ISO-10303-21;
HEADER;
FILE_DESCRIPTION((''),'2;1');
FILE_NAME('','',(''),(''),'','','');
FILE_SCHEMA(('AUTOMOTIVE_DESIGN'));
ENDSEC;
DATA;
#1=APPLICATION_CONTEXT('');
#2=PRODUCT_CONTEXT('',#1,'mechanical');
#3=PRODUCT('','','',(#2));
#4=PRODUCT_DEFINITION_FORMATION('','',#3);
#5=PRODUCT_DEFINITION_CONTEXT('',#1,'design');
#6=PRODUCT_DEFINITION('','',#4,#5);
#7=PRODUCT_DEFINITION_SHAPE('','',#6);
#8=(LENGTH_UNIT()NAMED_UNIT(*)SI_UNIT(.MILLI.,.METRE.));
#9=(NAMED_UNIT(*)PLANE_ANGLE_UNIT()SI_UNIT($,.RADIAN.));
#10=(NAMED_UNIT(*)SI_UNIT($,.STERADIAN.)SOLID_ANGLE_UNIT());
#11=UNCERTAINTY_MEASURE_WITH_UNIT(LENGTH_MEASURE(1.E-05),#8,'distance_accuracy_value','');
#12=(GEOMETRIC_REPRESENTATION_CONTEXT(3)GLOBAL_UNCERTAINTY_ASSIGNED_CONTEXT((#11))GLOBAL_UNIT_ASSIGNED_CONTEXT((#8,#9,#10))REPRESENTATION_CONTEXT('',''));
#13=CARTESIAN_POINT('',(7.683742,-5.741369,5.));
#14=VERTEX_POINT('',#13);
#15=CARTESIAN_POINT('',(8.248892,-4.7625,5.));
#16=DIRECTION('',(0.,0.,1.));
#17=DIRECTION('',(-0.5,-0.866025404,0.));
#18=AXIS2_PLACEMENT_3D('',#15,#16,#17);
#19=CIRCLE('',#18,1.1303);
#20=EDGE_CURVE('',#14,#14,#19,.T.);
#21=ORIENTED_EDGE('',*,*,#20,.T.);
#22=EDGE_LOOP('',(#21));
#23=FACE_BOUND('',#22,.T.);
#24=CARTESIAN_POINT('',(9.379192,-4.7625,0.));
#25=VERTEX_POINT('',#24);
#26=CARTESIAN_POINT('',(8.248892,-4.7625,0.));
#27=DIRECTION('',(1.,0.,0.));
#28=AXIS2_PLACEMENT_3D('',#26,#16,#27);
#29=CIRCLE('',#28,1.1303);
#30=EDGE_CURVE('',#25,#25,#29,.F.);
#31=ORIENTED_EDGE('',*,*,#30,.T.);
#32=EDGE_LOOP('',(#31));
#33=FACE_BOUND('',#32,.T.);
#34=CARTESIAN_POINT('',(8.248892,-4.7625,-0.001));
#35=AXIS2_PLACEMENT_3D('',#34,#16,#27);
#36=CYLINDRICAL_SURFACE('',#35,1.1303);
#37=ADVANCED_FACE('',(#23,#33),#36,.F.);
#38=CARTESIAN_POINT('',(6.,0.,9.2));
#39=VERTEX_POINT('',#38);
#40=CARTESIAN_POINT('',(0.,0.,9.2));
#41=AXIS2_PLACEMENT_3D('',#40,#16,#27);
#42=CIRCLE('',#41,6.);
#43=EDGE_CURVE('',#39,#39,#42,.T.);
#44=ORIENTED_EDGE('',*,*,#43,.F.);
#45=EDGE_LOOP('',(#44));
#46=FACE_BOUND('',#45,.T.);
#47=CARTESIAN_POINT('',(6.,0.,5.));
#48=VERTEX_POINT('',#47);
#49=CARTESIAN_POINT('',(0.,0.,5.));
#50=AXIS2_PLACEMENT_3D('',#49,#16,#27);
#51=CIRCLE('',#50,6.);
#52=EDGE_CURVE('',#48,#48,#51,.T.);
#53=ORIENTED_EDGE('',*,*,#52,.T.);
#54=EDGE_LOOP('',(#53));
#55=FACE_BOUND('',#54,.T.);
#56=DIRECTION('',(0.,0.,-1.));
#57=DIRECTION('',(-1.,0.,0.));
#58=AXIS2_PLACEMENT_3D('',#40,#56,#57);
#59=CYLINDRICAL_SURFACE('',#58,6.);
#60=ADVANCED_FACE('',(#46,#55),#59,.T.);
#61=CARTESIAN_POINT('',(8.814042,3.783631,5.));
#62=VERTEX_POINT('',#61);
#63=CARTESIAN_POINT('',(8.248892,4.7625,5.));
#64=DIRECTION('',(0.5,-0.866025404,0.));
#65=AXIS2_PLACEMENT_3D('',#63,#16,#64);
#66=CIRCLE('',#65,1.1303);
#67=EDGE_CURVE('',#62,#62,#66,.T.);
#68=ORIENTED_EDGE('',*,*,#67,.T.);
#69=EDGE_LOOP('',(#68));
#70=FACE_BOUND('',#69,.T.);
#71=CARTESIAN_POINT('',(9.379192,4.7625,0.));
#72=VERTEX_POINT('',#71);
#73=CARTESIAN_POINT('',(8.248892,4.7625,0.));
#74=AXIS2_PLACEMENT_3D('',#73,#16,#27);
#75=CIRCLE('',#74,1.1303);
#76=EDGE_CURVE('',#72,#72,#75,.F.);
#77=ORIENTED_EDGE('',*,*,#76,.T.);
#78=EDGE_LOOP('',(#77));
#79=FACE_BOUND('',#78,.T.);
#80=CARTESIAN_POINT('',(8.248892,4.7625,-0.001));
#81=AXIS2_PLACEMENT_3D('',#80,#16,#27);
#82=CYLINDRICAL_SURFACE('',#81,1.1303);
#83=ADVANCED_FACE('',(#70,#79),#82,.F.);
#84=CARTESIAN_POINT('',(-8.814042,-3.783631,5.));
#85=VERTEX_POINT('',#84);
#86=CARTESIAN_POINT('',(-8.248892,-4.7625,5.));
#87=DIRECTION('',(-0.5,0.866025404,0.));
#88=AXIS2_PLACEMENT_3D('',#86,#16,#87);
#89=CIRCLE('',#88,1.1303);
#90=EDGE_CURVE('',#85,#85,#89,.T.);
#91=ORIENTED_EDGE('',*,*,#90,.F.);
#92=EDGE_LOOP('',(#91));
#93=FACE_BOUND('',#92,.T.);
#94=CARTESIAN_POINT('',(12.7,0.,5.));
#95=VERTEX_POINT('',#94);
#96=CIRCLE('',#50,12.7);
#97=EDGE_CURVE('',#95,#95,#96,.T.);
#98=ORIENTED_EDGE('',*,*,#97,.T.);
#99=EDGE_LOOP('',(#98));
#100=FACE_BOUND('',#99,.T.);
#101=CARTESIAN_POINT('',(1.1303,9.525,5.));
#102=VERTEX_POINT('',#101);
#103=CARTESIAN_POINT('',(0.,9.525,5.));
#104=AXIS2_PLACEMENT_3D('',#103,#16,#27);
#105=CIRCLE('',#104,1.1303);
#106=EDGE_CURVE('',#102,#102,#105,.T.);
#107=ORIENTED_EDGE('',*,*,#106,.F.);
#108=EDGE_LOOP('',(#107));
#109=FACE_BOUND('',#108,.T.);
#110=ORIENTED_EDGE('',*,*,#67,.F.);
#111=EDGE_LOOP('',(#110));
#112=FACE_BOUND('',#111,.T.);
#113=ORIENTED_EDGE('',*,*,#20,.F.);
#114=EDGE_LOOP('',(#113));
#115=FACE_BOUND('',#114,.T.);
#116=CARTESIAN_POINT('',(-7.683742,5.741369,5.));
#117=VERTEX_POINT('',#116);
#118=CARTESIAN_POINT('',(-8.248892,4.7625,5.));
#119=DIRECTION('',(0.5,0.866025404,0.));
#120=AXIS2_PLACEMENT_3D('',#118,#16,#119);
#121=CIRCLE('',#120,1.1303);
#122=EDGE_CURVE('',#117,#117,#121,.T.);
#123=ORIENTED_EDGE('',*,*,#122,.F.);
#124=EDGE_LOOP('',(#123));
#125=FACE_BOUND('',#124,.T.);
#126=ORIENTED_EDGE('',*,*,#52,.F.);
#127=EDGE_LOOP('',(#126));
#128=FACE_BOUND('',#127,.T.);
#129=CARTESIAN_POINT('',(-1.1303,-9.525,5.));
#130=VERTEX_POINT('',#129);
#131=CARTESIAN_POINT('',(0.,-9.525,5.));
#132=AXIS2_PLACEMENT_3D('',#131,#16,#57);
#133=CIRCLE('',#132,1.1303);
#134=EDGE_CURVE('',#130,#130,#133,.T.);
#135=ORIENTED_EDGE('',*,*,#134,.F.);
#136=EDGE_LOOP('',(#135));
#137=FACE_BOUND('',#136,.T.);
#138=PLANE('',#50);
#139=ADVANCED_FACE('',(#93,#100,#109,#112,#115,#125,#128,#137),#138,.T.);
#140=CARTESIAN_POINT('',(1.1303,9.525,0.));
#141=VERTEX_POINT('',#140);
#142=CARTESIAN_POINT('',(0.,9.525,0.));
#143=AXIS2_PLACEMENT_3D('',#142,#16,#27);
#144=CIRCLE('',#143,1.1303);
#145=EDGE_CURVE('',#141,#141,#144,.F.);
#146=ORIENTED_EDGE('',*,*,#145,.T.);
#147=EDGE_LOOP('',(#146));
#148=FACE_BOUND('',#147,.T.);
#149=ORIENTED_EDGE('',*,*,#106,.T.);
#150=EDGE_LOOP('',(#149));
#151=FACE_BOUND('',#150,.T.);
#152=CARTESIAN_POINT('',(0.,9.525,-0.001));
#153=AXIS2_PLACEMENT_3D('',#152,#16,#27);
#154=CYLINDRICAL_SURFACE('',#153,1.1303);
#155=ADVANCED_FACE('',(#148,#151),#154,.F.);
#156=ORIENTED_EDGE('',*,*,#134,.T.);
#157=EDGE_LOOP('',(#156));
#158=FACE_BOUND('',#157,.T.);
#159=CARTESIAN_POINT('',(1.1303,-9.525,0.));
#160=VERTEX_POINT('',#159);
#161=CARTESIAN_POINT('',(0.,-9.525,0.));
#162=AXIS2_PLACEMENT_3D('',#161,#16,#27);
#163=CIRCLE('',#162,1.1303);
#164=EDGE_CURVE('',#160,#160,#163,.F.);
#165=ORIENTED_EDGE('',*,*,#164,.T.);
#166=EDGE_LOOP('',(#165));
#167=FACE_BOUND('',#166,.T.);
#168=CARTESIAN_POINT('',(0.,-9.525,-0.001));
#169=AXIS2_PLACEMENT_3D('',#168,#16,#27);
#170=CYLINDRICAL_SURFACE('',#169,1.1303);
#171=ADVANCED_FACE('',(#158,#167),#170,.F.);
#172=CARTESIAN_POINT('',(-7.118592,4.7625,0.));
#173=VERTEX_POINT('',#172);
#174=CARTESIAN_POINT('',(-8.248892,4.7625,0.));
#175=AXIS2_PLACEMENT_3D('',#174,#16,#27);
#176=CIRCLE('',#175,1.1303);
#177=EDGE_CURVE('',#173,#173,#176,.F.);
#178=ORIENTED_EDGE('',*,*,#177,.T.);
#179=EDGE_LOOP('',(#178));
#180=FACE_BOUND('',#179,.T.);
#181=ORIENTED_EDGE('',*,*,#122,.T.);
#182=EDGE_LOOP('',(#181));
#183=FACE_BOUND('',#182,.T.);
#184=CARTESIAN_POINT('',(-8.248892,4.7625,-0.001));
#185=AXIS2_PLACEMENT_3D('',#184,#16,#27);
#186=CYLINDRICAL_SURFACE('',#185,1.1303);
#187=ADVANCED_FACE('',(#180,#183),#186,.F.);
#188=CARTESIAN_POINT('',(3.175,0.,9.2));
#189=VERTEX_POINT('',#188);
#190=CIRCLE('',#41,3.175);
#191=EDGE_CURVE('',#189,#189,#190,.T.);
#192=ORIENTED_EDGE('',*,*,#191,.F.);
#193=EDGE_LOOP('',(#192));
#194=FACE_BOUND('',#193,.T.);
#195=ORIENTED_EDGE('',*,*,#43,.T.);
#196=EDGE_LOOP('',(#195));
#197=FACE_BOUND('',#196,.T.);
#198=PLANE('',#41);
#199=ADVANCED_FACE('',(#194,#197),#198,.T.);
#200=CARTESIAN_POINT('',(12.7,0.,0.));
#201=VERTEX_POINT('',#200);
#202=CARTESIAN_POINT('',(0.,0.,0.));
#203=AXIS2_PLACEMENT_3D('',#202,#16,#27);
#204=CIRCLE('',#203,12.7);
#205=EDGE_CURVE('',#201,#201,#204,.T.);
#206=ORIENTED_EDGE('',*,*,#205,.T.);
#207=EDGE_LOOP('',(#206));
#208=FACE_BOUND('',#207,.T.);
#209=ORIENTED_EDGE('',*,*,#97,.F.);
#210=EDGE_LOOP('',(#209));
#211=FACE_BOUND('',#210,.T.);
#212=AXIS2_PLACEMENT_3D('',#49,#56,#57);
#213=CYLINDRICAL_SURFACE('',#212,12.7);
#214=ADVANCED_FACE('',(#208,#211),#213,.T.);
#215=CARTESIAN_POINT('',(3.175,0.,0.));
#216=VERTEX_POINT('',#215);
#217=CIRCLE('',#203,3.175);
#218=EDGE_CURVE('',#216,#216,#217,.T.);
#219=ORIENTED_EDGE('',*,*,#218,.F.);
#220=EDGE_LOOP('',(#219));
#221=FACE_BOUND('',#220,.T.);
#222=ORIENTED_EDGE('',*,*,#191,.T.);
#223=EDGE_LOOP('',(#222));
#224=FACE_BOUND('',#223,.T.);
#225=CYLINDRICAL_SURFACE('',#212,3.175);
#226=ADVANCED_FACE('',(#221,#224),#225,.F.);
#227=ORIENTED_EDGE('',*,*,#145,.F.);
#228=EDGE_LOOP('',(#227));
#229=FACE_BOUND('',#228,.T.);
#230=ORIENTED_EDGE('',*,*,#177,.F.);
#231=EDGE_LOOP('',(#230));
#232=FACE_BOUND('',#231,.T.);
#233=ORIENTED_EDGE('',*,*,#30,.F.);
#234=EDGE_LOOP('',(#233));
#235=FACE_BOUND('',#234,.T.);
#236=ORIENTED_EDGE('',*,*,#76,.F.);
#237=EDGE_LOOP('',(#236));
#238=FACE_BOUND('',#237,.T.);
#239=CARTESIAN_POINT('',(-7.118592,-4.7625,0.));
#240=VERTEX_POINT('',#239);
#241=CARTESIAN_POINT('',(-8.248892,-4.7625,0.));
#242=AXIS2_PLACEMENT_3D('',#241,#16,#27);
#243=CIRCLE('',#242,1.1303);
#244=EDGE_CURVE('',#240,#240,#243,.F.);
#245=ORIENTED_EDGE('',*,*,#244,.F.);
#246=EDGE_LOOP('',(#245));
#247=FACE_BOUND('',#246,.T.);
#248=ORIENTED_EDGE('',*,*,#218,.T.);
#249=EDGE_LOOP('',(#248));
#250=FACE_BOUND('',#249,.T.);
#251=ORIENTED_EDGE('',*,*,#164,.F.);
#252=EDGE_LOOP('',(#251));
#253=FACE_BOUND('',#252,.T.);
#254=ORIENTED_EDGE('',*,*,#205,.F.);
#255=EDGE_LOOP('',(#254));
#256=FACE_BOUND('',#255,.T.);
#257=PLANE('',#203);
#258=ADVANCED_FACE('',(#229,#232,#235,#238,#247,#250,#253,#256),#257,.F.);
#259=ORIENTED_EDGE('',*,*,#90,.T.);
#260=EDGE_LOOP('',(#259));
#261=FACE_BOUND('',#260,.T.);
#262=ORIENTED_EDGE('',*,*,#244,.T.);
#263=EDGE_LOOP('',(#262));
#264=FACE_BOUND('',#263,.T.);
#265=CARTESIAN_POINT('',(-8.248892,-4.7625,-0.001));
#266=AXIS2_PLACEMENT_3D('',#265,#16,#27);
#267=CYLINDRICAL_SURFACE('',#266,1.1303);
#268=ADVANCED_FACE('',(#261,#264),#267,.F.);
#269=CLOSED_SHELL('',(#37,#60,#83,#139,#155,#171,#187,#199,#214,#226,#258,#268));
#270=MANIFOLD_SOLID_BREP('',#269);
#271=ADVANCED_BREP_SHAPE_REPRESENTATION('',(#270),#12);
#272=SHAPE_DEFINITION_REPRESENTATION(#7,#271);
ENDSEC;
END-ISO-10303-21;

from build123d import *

# Parameters (mm, degrees)
SKETCH2_R           = 12.7
SKETCH2_R_2         = 3.175
BOSS_EXTRUDE1_DEPTH = 5
SKETCH3_R           = 6
SKETCH3_R_2         = 3.175
BOSS_EXTRUDE2_DEPTH = 4.2
CUT_EXTRUDE1_REACH  = 20.643
SKETCH4_R           = 1.1303
CIRPATTERN1_COUNT   = 6


with BuildPart() as part:
    # Sketch2 → Boss-Extrude1 (new body)
    with BuildSketch(Plane.XY):
        Circle(SKETCH2_R)
        Circle(SKETCH2_R_2, mode=Mode.SUBTRACT)
    extrude(amount=BOSS_EXTRUDE1_DEPTH)

    # Sketch3 → Boss-Extrude2 (add)
    with BuildSketch(Plane.XY.offset(5)):
        Circle(SKETCH3_R)
        Circle(SKETCH3_R_2, mode=Mode.SUBTRACT)
    extrude(amount=BOSS_EXTRUDE2_DEPTH)

    # Sketch4 → Cut-Extrude1 (cut, up to next)
    with BuildSketch(Plane.XY.offset(5), mode=Mode.PRIVATE) as cut_extrude1_sk1:
        with Locations((0, 9.525)):
            Circle(SKETCH4_R)
    cut_extrude1_tool1 = extrude(cut_extrude1_sk1.sketch, amount=-CUT_EXTRUDE1_REACH, mode=Mode.PRIVATE) & part.part
    cut_extrude1 = cut_extrude1_tool1.solids().sort_by_distance((0, 9.525, 5))[0]
    add(cut_extrude1, mode=Mode.SUBTRACT)

    # CirPattern1: Cut-Extrude1 ×6 about axis
    cirpattern1_axis = Axis((0, 0, 0), (0, 0, 1))
    for i in range(1, CIRPATTERN1_COUNT):
        add(cut_extrude1.rotate(cirpattern1_axis, i * 360 / CIRPATTERN1_COUNT), mode=Mode.SUBTRACT)


solid = part.part
